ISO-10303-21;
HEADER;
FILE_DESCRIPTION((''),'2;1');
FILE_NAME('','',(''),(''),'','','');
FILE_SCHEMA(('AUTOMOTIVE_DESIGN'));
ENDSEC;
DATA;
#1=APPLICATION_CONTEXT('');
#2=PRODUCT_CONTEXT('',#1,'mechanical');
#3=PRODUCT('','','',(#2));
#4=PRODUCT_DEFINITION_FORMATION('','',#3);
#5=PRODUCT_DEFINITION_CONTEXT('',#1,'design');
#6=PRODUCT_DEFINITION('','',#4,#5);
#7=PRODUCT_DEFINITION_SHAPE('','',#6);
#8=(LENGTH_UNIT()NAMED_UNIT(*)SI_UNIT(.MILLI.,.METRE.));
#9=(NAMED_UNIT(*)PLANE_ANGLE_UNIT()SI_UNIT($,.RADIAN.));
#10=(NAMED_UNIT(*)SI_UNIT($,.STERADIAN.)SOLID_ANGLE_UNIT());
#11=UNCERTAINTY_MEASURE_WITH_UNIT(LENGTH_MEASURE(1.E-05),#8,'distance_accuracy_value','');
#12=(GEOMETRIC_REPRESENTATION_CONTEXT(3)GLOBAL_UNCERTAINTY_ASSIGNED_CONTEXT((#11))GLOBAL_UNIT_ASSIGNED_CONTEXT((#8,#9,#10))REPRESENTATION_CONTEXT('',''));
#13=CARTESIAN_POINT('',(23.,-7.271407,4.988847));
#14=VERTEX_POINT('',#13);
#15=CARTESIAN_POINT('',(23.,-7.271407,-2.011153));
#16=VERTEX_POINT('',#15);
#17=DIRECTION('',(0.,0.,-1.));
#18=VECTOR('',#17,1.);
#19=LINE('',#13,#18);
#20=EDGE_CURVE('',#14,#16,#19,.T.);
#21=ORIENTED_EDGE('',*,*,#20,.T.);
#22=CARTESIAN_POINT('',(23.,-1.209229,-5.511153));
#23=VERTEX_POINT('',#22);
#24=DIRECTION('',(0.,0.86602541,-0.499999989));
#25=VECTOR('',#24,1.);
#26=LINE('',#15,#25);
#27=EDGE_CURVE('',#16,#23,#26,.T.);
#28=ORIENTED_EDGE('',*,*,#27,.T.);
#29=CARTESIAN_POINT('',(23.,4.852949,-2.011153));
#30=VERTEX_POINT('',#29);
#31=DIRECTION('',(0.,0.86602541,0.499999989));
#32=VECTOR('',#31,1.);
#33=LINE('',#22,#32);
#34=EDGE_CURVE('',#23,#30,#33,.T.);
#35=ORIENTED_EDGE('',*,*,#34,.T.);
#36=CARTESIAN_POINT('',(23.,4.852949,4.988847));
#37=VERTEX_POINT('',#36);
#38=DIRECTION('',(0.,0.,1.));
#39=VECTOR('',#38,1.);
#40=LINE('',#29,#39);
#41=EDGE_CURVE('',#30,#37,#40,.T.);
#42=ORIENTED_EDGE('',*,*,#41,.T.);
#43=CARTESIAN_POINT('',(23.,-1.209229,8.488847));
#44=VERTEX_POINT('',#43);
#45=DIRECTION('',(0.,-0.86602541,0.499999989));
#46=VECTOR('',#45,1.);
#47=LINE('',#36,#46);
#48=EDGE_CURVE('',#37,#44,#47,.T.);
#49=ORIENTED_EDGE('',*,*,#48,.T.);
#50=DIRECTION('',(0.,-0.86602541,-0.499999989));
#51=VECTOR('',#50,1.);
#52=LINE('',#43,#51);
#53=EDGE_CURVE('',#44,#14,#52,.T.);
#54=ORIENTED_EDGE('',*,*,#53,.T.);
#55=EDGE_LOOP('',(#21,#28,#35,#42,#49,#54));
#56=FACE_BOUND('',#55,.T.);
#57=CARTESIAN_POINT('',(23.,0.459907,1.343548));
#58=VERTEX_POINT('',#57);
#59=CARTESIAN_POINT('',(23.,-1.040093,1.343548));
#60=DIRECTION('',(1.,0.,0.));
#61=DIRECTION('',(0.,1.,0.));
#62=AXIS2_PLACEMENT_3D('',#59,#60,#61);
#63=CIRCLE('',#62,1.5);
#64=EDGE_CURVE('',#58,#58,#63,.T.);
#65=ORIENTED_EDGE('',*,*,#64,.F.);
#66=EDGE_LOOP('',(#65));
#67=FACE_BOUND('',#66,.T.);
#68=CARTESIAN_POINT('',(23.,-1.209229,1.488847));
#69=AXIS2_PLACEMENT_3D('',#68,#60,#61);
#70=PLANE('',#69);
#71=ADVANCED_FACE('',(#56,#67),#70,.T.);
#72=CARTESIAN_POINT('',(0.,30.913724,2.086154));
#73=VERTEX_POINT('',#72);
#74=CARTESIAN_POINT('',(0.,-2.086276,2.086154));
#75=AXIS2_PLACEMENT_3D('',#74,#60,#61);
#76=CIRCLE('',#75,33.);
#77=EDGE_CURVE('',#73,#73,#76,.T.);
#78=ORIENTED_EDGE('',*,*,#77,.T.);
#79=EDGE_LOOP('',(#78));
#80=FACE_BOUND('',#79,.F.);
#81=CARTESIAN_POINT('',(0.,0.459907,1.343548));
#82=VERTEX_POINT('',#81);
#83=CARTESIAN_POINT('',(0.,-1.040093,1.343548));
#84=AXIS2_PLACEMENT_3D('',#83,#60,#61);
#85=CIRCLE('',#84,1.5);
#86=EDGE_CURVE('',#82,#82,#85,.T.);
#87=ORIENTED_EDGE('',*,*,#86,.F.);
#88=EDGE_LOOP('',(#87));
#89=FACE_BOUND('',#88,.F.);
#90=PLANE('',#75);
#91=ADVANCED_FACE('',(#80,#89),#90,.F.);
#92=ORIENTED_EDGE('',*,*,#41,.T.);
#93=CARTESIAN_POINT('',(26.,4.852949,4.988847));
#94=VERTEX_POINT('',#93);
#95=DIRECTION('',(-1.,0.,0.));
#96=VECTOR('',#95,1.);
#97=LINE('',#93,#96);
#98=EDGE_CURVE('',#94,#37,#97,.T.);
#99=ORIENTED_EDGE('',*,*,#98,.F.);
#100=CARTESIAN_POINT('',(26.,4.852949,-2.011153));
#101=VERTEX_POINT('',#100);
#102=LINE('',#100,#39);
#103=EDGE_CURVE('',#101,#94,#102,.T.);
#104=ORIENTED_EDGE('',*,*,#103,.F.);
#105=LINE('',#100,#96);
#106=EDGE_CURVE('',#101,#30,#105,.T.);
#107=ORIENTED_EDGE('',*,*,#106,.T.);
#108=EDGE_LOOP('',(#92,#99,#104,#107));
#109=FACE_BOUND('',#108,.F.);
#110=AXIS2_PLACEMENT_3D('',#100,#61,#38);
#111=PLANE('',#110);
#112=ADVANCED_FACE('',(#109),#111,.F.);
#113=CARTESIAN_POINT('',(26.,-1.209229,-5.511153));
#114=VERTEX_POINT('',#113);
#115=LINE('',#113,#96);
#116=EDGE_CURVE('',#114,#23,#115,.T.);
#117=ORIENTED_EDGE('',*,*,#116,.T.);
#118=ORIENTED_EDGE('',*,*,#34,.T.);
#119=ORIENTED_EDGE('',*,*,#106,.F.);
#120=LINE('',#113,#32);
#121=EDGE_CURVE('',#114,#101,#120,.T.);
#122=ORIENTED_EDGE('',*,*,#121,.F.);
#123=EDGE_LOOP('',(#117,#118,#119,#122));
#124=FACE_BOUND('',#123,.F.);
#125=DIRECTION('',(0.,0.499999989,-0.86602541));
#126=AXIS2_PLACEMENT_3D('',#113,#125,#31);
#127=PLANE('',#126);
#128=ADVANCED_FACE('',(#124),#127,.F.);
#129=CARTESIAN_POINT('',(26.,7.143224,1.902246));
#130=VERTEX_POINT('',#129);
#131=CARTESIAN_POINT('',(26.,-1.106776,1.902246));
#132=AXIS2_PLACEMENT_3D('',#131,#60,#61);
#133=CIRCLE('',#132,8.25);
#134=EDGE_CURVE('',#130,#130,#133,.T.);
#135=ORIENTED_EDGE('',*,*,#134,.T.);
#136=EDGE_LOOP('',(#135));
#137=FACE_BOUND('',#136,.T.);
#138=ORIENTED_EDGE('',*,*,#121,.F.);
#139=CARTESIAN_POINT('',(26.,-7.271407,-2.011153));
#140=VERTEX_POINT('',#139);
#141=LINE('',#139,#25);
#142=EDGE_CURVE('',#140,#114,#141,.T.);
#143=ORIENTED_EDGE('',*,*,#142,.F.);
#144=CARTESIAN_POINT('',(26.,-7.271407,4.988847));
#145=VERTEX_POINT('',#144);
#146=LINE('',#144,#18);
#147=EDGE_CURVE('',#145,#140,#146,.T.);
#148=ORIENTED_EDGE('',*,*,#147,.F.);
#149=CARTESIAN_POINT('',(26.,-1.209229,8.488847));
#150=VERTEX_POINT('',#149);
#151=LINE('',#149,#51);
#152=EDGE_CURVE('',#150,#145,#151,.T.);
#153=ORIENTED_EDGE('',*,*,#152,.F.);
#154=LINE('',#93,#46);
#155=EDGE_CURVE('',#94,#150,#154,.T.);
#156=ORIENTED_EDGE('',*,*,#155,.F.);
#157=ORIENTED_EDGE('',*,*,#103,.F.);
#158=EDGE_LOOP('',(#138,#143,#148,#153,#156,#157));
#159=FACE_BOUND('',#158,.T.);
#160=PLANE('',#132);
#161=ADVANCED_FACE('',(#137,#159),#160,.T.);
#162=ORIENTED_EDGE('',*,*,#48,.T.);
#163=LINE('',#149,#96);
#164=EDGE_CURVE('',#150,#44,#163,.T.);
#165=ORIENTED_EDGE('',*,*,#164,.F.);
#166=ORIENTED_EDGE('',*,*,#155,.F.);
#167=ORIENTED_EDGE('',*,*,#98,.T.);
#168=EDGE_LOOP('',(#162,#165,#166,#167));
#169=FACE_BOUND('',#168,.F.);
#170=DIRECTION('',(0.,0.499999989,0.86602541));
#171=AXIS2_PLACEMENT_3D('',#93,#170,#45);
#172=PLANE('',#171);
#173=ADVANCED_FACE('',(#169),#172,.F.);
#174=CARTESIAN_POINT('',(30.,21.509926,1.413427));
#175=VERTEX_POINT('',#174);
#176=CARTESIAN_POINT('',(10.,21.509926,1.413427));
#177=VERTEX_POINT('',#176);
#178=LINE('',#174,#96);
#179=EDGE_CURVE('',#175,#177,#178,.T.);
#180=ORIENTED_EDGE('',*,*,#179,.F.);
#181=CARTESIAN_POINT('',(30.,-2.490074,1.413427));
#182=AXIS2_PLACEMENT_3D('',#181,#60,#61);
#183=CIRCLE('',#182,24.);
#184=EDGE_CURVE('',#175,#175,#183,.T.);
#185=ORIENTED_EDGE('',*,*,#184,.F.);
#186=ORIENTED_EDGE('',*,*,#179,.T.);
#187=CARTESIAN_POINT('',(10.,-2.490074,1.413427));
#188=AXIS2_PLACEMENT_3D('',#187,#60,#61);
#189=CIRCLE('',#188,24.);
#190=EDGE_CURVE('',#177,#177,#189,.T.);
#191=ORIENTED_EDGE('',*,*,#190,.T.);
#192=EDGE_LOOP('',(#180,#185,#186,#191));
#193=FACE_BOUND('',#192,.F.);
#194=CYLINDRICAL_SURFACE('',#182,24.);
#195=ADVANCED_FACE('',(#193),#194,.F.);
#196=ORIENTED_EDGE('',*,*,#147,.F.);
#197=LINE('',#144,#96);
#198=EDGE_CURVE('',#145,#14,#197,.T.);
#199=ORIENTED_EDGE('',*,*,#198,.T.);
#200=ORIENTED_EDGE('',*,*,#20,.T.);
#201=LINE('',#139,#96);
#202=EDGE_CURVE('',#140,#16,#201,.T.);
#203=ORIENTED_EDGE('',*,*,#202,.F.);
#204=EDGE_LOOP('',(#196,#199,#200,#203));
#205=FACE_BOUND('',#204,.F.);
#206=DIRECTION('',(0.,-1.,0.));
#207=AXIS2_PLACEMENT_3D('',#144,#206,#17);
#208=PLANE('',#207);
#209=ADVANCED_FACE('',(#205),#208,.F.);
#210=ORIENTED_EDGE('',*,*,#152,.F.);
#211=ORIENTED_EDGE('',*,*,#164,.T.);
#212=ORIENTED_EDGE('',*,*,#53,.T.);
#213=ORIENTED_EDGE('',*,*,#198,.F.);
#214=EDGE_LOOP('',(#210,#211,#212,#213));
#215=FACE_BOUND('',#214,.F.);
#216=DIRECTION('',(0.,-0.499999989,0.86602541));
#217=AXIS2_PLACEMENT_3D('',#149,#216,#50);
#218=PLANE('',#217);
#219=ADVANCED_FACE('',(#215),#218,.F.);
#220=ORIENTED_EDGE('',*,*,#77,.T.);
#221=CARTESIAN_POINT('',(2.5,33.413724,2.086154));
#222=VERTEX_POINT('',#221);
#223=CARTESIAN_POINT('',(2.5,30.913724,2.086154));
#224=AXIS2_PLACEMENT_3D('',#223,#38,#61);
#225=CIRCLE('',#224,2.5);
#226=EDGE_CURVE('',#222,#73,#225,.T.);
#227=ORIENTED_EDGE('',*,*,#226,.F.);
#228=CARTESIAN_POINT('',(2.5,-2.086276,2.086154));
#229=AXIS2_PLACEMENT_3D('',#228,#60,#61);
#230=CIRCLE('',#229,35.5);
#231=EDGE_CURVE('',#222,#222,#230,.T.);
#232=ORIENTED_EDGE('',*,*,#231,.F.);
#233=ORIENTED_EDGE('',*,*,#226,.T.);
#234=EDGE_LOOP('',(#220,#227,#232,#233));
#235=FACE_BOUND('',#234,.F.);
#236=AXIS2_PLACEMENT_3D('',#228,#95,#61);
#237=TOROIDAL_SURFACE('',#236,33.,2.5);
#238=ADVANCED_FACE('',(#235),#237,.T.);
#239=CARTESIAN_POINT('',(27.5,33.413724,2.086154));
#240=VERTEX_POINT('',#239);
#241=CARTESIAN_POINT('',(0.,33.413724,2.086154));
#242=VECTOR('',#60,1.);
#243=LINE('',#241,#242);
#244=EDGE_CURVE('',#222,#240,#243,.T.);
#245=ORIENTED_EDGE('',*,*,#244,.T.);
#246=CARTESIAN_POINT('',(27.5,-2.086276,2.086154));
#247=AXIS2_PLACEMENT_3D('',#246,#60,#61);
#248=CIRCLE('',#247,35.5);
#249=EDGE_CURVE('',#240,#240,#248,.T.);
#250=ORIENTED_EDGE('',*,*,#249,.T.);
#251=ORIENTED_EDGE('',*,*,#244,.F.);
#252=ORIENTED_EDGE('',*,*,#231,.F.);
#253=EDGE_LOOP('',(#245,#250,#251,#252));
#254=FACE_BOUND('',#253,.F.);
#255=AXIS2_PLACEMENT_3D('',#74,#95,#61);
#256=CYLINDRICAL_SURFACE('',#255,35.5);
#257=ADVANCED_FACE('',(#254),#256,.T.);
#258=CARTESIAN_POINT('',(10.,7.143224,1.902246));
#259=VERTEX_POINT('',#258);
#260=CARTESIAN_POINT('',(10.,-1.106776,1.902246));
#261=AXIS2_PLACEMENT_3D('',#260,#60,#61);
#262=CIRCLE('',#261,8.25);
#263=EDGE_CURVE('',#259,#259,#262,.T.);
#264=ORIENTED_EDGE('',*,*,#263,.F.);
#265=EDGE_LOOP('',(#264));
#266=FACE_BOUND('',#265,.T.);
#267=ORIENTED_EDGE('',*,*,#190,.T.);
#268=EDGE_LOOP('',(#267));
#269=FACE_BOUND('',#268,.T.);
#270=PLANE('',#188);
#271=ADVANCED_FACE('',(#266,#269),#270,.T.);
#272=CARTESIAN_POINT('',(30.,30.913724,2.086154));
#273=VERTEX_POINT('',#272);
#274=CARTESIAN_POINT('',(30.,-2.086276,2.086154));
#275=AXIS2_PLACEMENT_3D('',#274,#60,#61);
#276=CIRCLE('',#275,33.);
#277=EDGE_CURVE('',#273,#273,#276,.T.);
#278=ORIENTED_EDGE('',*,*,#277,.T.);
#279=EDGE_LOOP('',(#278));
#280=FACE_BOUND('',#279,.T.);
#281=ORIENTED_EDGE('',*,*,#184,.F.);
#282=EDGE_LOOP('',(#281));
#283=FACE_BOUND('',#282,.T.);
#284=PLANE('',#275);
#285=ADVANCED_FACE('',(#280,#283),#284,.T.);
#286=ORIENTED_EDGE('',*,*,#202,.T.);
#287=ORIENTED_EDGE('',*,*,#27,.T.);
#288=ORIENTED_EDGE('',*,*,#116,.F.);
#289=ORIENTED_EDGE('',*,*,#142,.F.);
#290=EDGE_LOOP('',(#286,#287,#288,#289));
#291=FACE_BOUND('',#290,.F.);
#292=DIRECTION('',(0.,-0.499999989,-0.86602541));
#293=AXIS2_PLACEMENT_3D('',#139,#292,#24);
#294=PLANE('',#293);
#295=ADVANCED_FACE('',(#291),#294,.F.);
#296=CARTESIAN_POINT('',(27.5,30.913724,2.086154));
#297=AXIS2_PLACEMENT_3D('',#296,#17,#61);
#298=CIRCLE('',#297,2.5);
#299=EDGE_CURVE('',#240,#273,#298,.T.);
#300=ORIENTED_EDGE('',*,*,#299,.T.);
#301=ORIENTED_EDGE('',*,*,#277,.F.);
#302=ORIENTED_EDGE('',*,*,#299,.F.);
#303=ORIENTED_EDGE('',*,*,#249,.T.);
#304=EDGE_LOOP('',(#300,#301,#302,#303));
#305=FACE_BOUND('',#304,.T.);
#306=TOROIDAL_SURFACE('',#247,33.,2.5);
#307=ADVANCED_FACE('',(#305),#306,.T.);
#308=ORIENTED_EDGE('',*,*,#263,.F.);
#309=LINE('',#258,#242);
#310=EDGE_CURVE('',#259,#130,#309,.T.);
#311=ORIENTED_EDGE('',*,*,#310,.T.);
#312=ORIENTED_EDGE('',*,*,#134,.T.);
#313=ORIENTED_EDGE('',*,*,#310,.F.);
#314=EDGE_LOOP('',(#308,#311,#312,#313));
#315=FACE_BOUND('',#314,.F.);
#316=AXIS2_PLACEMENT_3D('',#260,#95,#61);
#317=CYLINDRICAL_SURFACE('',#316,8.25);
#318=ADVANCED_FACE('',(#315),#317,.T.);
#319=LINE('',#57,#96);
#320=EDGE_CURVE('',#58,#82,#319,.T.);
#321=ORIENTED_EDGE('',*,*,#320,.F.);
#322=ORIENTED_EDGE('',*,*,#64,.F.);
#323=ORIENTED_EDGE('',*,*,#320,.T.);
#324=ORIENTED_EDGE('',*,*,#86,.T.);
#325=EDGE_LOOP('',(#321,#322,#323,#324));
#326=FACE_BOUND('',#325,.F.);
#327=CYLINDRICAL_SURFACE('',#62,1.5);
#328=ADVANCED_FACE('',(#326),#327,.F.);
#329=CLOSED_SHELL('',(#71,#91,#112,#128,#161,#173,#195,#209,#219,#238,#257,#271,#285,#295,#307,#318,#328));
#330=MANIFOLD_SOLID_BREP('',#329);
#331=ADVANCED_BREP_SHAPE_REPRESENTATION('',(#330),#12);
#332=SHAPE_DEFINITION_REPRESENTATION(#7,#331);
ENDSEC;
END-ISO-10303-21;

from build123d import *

# Parameters (mm, degrees)
SKETCH_R        = 35.5
PAD_DEPTH       = 30
FILLET_R        = 2.5
FILLET001_R     = 2.5
SKETCH001_R     = 24
POCKET_DEPTH    = 20
SKETCH002_R     = 8.25
PAD001_DEPTH    = 16
POCKET001_DEPTH = 3
SKETCH004_R     = 1.5
POCKET002_DEPTH = 25


with BuildPart() as part:
    # Sketch → Pad (new body)
    with BuildSketch(Plane.YZ):
        with Locations((-2.086276, 2.086154)):
            Circle(SKETCH_R)
    extrude(amount=PAD_DEPTH)

    # Fillet
    fillet_edges = [part.edges().sort_by_distance(p)[0] for p in [
        (30, -37.586276, 2.086154),
    ]]
    fillet(fillet_edges, radius=FILLET_R)

    # Fillet001
    fillet001_edges = [part.edges().sort_by_distance(p)[0] for p in [
        (0, -37.586276, 2.086154),
    ]]
    fillet(fillet001_edges, radius=FILLET001_R)

    # Sketch001 (on Face3 of Pad) → Pocket (cut)
    with BuildSketch(Plane.YZ.offset(30)):
        with Locations((-2.490074, 1.413427)):
            Circle(SKETCH001_R)
    extrude(amount=-POCKET_DEPTH, mode=Mode.SUBTRACT)

    # Sketch002 (on Face7 of Pocket) → Pad001 (join)
    with BuildSketch(Plane.YZ.offset(10)):
        with Locations((-1.106776, 1.902246)):
            Circle(SKETCH002_R)
    extrude(amount=PAD001_DEPTH)

    # Sketch003 (on Face9 of Pad001) → Pocket001 (cut)
    with BuildSketch(Plane.YZ.offset(26)):
        Polygon((4.852949, 4.988847), (-1.209229, 8.488847), (-7.271407, 4.988847), (-7.271407, -2.011153), (-1.209229, -5.511153), (4.852949, -2.011153), align=None)
    extrude(amount=-POCKET001_DEPTH, mode=Mode.SUBTRACT)

    # Sketch004 (on Face16 of Pocket001) → Pocket002 (cut)
    with BuildSketch(Plane.YZ.offset(23)):
        with Locations((-1.040093, 1.343548)):
            Circle(SKETCH004_R)
    extrude(amount=-POCKET002_DEPTH, mode=Mode.SUBTRACT)


solid = part.part
